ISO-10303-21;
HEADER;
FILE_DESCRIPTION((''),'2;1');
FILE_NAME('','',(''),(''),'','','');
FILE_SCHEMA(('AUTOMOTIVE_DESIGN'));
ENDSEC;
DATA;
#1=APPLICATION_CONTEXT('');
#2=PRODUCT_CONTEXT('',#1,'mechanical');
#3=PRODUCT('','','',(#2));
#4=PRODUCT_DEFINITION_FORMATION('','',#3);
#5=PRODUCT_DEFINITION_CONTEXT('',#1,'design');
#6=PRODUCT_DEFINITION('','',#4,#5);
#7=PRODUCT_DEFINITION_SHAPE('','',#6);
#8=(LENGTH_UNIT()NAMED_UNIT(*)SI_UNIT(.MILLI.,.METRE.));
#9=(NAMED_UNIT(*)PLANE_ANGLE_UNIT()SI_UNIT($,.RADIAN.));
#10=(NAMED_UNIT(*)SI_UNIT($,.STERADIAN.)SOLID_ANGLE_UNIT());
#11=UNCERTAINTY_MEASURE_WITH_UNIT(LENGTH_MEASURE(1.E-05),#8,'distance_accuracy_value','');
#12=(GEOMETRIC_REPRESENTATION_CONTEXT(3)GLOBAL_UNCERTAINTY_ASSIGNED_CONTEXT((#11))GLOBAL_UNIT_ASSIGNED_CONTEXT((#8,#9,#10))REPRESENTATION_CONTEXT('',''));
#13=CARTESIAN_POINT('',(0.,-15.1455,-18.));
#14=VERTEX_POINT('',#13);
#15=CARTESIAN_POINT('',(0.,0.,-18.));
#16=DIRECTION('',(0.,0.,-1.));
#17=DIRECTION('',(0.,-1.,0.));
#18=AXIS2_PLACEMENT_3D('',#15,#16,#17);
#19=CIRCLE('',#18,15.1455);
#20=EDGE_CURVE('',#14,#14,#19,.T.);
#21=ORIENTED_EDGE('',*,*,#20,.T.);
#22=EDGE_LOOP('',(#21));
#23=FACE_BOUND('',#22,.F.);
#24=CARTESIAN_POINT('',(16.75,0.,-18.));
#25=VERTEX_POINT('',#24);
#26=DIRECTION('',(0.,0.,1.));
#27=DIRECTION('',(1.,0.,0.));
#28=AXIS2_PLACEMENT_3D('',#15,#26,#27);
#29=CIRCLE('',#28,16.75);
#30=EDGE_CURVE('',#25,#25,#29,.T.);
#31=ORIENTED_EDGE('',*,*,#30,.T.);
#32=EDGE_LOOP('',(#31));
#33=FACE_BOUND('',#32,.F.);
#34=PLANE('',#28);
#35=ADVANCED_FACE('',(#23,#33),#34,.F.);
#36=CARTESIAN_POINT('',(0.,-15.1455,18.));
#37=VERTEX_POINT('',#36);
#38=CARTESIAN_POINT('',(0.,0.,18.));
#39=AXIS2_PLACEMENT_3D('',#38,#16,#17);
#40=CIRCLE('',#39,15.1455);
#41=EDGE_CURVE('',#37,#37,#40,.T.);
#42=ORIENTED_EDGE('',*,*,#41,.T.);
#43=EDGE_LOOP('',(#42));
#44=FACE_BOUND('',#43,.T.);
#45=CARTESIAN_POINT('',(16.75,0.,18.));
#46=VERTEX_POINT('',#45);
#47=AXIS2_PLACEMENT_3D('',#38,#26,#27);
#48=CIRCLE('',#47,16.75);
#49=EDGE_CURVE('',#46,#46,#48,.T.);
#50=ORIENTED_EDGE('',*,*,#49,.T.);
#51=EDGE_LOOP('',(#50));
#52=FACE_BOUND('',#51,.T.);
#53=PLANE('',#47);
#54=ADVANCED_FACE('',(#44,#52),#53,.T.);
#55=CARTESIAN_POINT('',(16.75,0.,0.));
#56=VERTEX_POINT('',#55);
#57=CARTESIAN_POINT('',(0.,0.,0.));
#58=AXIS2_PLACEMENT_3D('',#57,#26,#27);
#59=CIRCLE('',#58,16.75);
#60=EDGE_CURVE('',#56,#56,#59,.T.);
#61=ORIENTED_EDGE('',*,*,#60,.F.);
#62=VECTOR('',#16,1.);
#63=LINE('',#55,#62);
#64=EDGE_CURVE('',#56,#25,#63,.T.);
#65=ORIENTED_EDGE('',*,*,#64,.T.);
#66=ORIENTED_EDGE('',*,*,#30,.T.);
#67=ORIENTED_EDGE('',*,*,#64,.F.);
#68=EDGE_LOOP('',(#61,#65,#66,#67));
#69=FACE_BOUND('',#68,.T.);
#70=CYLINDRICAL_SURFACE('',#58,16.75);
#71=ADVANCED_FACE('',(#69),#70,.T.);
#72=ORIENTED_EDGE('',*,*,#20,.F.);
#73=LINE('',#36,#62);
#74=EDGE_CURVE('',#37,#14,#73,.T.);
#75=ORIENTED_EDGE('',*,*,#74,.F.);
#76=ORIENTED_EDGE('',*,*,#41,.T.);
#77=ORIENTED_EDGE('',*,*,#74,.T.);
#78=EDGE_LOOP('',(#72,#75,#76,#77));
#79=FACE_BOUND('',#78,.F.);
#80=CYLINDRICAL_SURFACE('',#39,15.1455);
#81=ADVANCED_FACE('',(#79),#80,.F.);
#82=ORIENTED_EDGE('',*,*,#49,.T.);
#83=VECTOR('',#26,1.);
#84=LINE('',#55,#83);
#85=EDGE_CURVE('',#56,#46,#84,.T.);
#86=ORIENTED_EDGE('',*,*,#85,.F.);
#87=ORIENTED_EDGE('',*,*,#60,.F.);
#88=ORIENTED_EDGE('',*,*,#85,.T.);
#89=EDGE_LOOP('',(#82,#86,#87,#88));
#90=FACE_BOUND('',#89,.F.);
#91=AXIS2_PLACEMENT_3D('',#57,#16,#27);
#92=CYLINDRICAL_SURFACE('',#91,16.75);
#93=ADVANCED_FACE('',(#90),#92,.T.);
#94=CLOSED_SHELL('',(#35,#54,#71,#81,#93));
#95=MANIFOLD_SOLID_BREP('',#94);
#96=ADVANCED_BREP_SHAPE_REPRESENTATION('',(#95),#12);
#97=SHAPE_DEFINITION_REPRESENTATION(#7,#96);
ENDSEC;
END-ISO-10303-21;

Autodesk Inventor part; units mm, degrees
ref_plane "YZ Plane" through (0, 0, 0) normal (1, 0, 0) x (0, 1, 0)
ref_plane "XZ Plane" through (0, 0, 0) normal (0, 1, 0) x (-1, 0, 0)
ref_plane "XY Plane" through (0, 0, 0) normal (0, 0, 1) x (1, 0, 0)
sketch "Sketch1" plane through (0, 0, 0) normal (0, 0, 1) x (1, 0, 0)
  circle A0 centre (0, 0) radius 16.75
  dimension "d0" = 33.5
extrude "Extrusion1" add sketch "Sketch1" along normal mid plane 36
sketch "Sketch2" plane through (0, 0, 18) normal (0, 0, 1) x (1, 0, 0)
  point P0 (0, 0)
  point P1 (0, 0)
hole "Hole1" at (0, 0, 18) direction (0, 0, -1) diameter 30.291 end through all thread size "G33.249x2.309" designation "G 1" standard "ISO Pipe Threads"
properties part number "Fitting G1_1200"
